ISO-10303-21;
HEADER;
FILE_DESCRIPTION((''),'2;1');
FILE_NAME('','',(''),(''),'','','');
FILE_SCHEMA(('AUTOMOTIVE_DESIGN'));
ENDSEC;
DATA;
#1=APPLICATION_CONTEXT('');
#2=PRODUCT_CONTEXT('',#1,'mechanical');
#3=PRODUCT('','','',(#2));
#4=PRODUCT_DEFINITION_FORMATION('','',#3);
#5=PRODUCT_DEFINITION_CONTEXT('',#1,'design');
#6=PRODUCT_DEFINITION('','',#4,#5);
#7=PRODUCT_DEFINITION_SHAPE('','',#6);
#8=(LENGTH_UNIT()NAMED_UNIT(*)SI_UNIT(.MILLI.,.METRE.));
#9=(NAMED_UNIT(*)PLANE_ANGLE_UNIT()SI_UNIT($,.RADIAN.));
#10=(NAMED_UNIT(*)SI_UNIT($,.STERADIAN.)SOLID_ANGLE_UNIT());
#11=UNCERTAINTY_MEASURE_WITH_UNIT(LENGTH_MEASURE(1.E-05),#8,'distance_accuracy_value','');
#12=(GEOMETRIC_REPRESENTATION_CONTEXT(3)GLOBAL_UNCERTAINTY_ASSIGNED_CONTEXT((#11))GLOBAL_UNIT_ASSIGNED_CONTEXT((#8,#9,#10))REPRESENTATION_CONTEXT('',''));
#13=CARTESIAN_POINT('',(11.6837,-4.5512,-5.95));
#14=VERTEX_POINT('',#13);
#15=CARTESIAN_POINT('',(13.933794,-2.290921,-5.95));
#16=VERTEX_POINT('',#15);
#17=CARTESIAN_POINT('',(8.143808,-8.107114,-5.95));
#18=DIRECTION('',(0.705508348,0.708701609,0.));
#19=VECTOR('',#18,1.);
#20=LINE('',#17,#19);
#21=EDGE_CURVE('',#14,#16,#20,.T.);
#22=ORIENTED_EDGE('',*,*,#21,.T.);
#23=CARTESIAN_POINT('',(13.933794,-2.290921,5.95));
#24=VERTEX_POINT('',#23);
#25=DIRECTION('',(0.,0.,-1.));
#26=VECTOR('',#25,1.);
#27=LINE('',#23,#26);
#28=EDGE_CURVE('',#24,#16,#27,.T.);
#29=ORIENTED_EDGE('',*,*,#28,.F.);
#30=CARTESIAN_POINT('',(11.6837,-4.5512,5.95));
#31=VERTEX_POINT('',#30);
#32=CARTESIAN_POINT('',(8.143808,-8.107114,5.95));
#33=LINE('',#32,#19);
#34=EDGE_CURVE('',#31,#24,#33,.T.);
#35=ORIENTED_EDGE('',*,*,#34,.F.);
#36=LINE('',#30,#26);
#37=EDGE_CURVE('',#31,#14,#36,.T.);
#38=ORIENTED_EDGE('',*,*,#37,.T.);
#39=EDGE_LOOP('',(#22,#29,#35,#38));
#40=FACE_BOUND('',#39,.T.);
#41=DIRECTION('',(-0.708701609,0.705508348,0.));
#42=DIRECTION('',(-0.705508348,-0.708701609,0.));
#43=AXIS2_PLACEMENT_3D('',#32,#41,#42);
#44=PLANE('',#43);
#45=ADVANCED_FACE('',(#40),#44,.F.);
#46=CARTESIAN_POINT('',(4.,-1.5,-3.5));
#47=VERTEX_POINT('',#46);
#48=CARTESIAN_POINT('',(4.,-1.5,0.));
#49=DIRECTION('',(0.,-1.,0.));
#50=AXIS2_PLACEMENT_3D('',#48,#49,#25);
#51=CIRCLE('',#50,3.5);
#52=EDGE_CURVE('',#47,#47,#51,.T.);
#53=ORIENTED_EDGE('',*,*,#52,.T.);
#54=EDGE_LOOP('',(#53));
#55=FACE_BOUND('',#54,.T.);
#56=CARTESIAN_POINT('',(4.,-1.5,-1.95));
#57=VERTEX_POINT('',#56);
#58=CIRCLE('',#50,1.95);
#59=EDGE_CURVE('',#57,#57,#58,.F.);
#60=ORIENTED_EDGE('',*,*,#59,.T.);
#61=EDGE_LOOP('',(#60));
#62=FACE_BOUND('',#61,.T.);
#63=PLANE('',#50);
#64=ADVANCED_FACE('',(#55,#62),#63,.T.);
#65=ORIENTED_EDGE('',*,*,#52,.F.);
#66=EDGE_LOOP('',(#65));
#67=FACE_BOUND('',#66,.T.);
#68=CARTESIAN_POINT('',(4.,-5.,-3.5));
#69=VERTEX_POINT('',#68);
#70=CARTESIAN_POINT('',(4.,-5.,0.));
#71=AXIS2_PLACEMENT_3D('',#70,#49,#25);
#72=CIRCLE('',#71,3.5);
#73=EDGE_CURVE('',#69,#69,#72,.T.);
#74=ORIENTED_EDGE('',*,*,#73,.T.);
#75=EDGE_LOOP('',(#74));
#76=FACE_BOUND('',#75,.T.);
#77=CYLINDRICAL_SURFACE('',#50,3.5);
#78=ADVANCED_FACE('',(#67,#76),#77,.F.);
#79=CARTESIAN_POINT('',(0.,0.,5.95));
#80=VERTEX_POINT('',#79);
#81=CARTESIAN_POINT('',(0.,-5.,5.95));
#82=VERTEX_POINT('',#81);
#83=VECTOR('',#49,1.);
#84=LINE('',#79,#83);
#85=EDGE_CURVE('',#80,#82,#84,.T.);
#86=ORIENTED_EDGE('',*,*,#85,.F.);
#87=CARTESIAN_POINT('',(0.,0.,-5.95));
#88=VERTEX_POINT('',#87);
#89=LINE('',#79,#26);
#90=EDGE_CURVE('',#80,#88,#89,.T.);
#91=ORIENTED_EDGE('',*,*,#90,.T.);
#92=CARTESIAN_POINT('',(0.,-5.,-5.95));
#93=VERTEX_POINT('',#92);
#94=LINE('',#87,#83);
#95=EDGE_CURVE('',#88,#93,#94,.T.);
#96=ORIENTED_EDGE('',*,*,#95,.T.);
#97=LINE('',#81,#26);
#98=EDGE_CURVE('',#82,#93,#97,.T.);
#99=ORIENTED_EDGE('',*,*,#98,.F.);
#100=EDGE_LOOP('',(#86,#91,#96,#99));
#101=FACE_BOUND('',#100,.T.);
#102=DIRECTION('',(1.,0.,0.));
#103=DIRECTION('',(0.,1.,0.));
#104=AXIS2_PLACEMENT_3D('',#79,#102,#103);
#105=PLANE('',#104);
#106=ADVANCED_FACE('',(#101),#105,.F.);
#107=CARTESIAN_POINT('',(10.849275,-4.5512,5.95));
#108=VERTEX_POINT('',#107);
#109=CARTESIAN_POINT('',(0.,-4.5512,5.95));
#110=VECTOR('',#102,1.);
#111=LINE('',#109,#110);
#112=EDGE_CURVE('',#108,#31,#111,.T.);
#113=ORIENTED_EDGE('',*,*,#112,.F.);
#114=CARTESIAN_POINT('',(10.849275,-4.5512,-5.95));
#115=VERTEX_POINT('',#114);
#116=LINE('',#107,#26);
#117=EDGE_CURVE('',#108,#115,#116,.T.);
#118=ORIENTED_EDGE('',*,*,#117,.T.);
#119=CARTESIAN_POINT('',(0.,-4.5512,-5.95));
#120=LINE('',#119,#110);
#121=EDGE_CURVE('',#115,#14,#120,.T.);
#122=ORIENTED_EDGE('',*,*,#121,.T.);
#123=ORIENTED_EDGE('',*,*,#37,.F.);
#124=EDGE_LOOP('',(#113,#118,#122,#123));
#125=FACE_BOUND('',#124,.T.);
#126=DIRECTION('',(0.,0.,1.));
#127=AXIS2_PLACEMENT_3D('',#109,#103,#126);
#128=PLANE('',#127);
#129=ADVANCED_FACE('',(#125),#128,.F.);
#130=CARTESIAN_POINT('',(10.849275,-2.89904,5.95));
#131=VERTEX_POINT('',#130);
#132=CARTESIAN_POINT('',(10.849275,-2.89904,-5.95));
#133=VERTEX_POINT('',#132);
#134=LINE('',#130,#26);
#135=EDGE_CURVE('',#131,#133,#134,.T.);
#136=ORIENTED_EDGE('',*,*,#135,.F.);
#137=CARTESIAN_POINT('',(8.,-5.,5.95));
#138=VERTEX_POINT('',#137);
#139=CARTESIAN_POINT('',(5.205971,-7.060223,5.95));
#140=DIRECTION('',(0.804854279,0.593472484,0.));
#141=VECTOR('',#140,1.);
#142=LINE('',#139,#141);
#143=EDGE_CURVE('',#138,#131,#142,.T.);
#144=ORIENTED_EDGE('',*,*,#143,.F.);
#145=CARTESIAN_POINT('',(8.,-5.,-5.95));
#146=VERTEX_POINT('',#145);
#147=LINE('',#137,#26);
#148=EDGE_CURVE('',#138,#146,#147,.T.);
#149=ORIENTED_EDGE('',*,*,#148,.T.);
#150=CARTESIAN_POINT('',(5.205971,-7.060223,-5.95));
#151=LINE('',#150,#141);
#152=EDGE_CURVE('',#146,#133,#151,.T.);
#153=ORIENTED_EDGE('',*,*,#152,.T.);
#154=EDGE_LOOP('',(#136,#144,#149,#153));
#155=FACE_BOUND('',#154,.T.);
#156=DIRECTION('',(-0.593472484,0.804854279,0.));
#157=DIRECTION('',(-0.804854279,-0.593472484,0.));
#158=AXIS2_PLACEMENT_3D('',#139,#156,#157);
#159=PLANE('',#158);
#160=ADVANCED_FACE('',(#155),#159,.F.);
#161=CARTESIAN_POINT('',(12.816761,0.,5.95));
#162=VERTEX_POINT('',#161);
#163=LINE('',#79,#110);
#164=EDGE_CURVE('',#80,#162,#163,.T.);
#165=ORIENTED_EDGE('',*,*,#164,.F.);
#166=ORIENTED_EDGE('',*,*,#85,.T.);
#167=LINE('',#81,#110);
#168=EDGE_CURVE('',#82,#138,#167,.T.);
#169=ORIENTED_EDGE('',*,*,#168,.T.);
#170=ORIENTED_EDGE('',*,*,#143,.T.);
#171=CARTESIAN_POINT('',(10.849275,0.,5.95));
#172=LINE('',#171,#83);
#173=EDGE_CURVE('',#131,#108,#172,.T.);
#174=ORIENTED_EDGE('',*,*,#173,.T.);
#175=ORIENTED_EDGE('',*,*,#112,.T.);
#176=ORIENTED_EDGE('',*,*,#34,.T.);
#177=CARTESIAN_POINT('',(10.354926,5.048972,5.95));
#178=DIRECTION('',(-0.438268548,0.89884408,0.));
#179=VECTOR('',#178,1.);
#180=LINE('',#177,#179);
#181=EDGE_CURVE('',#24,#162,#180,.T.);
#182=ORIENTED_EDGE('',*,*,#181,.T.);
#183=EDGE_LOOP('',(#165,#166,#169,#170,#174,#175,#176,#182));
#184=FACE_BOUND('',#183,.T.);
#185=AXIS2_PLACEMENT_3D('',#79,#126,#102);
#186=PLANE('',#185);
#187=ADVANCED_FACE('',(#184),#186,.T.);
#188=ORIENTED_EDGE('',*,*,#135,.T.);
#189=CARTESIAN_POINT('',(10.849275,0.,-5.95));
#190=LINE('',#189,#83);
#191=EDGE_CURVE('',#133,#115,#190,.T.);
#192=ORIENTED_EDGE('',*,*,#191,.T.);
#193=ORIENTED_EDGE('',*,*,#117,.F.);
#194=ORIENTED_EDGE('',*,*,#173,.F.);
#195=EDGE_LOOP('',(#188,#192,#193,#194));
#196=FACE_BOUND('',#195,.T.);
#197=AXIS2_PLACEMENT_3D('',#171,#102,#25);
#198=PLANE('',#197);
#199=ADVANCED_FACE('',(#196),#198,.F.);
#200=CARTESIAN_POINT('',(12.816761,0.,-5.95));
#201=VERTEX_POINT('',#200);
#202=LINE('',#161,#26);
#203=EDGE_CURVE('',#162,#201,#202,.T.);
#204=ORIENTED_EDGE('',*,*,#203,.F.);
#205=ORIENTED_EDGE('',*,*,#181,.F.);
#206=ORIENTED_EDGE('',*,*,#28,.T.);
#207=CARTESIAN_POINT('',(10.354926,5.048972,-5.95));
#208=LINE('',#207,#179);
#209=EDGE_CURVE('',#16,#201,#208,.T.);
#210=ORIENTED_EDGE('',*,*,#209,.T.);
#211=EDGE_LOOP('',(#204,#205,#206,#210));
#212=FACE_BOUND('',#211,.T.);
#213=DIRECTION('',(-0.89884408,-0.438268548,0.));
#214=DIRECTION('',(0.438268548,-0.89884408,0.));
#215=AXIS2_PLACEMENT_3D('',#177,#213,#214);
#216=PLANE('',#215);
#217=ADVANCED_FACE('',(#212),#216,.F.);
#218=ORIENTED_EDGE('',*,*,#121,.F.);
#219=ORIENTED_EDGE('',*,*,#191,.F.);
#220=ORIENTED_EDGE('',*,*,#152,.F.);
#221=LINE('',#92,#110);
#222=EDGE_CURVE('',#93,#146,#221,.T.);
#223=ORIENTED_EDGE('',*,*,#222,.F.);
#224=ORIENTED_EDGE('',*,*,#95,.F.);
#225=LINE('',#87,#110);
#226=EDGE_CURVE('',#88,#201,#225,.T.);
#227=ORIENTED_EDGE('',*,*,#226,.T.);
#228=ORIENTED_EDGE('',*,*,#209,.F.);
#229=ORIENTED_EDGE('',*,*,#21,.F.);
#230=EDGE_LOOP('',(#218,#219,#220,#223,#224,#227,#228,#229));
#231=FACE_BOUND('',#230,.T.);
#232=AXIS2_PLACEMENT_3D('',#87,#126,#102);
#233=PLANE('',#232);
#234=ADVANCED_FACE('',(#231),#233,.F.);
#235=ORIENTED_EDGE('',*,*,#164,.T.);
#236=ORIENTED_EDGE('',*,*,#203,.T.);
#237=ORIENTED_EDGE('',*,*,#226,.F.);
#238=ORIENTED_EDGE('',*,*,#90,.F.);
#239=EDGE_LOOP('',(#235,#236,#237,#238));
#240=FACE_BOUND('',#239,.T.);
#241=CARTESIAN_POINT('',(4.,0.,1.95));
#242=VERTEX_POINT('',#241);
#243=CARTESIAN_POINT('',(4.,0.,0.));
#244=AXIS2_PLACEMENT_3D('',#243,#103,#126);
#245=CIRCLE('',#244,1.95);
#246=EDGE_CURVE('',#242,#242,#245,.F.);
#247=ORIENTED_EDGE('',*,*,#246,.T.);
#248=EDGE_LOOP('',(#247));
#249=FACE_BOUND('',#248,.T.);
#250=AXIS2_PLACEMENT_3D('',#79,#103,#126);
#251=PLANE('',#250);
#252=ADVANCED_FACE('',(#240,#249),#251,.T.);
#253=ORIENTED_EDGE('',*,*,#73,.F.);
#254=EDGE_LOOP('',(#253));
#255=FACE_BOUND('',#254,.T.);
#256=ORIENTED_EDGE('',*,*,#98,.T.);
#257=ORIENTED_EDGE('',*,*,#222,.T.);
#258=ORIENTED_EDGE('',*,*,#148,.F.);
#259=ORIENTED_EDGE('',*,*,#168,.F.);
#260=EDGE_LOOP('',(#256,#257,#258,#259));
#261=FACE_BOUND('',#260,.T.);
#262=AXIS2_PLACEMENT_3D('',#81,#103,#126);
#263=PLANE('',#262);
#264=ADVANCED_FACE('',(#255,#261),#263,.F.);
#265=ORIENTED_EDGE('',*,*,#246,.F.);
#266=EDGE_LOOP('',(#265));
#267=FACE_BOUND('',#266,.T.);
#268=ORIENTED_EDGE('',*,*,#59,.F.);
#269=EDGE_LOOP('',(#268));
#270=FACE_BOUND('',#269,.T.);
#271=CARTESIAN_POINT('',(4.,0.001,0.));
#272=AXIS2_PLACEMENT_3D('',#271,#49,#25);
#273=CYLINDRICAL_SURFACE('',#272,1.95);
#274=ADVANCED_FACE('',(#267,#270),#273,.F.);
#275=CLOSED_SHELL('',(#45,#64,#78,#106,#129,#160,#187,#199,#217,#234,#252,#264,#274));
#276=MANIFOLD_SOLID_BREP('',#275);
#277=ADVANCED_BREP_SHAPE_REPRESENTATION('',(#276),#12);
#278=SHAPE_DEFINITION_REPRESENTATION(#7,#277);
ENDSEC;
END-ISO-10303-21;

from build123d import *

# Parameters (mm, degrees)
EXTRUDE_1_DEPTH     = 5.95
CUT_EXTRUDE_1_REACH = 17.955
SKETCH_2_R          = 1.95
SKETCH_3_R          = 3.5
CUT_EXTRUDE_2_DEPTH = 3.5


with BuildPart() as part:
    # 스케치1 → 보스-돌출1 (new, symmetric)
    with BuildSketch(Plane.XY):
        Polygon((12.816760605, 0), (0, 0), (0, -5), (8, -5), (10.849275014, -2.899040406), (10.849275014, -4.551199566), (11.683700245, -4.551199566), (13.93379398, -2.290921493), align=None)
    extrude(amount=EXTRUDE_1_DEPTH, both=True)

    # 스케치2 → 컷-돌출1 (cut, up to next)
    with BuildSketch(Plane.XZ.offset(5), mode=Mode.PRIVATE) as cut_extrude_1_sk1:
        with Locations(Location((4, 0, 0), (0, 0, 270))):
            Circle(SKETCH_2_R)
    cut_extrude_1_tool1 = extrude(cut_extrude_1_sk1.sketch, amount=-CUT_EXTRUDE_1_REACH, mode=Mode.PRIVATE) & part.part
    add(cut_extrude_1_tool1.solids().sort_by_distance((4, -5, 0))[0], mode=Mode.SUBTRACT)

    # 스케치3 → 컷-돌출2 (cut)
    with BuildSketch(Plane.XZ.offset(5)):
        with Locations(Location((4, 0, 0), (0, 0, 270))):
            Circle(SKETCH_3_R)
    extrude(amount=-CUT_EXTRUDE_2_DEPTH, mode=Mode.SUBTRACT)


solid = part.part
